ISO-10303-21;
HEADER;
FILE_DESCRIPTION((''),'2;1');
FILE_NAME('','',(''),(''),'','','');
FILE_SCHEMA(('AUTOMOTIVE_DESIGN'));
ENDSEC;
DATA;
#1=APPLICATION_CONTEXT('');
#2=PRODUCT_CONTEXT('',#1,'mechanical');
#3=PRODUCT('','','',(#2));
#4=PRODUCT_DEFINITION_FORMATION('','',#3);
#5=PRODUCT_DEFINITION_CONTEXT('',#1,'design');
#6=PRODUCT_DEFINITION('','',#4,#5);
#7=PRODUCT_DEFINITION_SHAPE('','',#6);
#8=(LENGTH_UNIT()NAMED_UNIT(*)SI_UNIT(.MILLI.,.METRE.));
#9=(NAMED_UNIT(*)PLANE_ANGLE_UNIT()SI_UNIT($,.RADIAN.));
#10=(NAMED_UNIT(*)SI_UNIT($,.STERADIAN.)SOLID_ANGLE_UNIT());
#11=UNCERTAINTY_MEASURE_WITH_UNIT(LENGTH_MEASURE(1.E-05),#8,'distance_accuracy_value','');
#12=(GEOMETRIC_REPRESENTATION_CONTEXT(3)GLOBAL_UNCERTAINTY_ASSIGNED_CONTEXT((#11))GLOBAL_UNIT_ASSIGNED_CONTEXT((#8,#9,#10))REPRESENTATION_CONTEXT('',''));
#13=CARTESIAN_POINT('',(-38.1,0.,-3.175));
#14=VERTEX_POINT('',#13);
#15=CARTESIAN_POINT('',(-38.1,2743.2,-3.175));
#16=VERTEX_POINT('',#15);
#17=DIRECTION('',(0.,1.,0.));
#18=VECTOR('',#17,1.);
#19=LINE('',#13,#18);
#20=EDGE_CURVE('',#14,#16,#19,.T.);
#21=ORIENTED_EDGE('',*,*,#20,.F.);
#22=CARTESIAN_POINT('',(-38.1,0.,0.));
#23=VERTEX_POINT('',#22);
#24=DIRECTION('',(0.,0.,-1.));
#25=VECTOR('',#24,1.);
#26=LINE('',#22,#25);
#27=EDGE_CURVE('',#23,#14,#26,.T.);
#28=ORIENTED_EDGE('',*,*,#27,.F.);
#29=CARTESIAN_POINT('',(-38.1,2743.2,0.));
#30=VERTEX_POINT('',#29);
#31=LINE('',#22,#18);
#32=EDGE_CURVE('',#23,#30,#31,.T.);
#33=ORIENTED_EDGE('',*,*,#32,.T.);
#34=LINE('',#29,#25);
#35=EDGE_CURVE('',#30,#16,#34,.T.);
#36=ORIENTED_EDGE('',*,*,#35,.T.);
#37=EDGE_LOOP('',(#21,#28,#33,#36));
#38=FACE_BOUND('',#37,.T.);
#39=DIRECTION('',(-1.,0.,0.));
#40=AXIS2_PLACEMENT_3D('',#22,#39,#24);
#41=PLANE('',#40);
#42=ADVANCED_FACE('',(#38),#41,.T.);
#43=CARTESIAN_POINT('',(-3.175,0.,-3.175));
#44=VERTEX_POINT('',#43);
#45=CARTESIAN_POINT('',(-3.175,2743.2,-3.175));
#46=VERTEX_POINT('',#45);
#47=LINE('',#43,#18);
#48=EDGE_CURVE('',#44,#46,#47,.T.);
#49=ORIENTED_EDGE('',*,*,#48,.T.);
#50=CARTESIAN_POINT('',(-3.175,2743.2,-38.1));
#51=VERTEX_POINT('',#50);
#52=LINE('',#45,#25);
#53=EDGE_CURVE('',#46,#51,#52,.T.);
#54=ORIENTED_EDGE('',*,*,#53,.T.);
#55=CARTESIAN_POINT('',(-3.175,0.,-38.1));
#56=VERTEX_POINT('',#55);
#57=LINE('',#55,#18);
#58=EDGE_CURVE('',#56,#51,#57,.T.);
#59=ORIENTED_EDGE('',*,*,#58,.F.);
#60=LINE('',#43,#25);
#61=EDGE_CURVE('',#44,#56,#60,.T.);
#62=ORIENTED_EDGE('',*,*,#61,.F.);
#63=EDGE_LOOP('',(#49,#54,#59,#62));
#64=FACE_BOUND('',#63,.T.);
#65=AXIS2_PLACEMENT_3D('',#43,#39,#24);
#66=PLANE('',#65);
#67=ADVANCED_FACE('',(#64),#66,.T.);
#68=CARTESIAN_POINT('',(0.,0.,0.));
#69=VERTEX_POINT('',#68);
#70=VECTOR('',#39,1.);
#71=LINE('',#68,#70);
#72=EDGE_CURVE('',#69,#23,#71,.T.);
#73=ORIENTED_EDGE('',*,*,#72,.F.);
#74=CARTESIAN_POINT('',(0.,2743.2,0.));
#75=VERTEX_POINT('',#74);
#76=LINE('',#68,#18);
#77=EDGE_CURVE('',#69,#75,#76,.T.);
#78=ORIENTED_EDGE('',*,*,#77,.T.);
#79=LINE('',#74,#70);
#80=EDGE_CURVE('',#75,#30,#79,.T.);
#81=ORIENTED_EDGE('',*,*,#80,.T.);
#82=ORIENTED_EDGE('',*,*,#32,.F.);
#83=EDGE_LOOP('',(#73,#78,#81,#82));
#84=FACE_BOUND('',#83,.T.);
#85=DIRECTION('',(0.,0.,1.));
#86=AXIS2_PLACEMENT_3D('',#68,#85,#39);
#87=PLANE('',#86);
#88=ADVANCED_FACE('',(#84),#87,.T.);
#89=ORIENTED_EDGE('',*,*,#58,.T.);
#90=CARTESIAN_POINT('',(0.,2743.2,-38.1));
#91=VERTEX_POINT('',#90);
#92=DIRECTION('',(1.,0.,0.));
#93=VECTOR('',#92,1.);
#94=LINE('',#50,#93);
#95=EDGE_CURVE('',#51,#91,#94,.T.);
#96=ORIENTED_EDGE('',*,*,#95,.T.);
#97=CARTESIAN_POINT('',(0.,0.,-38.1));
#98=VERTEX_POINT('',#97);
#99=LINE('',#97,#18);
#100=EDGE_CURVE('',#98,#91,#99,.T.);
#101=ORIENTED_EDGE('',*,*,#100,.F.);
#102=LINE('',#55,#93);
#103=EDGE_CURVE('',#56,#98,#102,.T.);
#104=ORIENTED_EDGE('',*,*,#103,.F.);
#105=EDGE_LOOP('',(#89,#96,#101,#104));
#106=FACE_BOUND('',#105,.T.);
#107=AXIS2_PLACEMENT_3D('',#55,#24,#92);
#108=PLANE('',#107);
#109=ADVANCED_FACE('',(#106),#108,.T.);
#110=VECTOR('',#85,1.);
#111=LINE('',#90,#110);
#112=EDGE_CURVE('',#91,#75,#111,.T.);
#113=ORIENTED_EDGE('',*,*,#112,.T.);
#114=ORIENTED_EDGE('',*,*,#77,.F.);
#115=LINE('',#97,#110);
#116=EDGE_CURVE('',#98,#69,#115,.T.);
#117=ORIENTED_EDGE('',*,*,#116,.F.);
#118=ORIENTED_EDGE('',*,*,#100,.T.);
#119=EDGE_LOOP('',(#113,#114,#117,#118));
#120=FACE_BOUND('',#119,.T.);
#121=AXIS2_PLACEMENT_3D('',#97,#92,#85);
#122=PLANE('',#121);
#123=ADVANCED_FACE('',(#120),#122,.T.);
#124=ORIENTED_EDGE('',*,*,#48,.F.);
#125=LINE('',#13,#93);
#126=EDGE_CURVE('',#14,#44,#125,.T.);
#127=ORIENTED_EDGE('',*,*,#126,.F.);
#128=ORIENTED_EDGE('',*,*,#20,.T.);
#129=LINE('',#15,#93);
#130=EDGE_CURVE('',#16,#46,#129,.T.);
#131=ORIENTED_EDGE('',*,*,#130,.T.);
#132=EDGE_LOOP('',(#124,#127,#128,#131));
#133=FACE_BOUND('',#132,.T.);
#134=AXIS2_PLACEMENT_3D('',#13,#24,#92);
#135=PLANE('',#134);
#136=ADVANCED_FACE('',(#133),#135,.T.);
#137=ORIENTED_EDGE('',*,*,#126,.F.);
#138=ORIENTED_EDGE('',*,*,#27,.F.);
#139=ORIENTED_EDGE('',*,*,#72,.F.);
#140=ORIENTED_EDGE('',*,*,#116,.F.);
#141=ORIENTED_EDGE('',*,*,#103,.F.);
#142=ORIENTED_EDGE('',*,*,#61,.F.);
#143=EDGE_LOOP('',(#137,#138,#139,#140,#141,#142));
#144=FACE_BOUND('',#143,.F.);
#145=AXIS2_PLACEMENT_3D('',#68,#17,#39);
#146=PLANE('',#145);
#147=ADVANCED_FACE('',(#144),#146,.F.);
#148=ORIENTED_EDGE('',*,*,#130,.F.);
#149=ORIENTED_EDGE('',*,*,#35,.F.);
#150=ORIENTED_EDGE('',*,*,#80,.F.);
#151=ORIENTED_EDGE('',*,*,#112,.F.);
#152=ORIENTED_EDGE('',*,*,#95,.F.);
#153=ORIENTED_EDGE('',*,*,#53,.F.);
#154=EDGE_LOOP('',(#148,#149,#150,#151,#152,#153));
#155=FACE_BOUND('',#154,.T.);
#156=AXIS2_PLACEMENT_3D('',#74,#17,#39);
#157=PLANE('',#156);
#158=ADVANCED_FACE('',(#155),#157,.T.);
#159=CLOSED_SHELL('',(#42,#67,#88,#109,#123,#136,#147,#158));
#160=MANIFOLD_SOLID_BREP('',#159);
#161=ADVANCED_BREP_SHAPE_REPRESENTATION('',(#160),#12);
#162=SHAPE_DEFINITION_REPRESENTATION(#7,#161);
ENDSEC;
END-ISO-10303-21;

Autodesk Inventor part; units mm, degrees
ref_plane "YZ Plane" through (0, 0, 0) normal (1, 0, 0) x (0, 1, 0)
ref_plane "XZ Plane" through (0, 0, 0) normal (0, 1, 0) x (-1, 0, 0)
ref_plane "XY Plane" through (0, 0, 0) normal (0, 0, 1) x (1, 0, 0)
sketch "Sketch1" plane through (0, 0, 0) normal (0, 1, 0) x (-1, 0, 0)
  line L0 (0, 0) -> (38.1, 0)
  line L1 (38.1, 0) -> (38.1, -3.175)
  line L2 (38.1, -3.175) -> (3.175, -3.175)
  line L3 (3.175, -3.175) -> (3.175, -38.1)
  line L4 (3.175, -38.1) -> (0, -38.1)
  line L5 (0, -38.1) -> (0, 0)
  dimension "d0" = 3.175
  dimension "d1" = 3.175
  dimension "d2" = 38.1
  dimension "d3" = 38.1
extrude "Extrusion1" add sketch "Sketch1" along normal blind 2743.2
properties part number "Angle_9-ft"
